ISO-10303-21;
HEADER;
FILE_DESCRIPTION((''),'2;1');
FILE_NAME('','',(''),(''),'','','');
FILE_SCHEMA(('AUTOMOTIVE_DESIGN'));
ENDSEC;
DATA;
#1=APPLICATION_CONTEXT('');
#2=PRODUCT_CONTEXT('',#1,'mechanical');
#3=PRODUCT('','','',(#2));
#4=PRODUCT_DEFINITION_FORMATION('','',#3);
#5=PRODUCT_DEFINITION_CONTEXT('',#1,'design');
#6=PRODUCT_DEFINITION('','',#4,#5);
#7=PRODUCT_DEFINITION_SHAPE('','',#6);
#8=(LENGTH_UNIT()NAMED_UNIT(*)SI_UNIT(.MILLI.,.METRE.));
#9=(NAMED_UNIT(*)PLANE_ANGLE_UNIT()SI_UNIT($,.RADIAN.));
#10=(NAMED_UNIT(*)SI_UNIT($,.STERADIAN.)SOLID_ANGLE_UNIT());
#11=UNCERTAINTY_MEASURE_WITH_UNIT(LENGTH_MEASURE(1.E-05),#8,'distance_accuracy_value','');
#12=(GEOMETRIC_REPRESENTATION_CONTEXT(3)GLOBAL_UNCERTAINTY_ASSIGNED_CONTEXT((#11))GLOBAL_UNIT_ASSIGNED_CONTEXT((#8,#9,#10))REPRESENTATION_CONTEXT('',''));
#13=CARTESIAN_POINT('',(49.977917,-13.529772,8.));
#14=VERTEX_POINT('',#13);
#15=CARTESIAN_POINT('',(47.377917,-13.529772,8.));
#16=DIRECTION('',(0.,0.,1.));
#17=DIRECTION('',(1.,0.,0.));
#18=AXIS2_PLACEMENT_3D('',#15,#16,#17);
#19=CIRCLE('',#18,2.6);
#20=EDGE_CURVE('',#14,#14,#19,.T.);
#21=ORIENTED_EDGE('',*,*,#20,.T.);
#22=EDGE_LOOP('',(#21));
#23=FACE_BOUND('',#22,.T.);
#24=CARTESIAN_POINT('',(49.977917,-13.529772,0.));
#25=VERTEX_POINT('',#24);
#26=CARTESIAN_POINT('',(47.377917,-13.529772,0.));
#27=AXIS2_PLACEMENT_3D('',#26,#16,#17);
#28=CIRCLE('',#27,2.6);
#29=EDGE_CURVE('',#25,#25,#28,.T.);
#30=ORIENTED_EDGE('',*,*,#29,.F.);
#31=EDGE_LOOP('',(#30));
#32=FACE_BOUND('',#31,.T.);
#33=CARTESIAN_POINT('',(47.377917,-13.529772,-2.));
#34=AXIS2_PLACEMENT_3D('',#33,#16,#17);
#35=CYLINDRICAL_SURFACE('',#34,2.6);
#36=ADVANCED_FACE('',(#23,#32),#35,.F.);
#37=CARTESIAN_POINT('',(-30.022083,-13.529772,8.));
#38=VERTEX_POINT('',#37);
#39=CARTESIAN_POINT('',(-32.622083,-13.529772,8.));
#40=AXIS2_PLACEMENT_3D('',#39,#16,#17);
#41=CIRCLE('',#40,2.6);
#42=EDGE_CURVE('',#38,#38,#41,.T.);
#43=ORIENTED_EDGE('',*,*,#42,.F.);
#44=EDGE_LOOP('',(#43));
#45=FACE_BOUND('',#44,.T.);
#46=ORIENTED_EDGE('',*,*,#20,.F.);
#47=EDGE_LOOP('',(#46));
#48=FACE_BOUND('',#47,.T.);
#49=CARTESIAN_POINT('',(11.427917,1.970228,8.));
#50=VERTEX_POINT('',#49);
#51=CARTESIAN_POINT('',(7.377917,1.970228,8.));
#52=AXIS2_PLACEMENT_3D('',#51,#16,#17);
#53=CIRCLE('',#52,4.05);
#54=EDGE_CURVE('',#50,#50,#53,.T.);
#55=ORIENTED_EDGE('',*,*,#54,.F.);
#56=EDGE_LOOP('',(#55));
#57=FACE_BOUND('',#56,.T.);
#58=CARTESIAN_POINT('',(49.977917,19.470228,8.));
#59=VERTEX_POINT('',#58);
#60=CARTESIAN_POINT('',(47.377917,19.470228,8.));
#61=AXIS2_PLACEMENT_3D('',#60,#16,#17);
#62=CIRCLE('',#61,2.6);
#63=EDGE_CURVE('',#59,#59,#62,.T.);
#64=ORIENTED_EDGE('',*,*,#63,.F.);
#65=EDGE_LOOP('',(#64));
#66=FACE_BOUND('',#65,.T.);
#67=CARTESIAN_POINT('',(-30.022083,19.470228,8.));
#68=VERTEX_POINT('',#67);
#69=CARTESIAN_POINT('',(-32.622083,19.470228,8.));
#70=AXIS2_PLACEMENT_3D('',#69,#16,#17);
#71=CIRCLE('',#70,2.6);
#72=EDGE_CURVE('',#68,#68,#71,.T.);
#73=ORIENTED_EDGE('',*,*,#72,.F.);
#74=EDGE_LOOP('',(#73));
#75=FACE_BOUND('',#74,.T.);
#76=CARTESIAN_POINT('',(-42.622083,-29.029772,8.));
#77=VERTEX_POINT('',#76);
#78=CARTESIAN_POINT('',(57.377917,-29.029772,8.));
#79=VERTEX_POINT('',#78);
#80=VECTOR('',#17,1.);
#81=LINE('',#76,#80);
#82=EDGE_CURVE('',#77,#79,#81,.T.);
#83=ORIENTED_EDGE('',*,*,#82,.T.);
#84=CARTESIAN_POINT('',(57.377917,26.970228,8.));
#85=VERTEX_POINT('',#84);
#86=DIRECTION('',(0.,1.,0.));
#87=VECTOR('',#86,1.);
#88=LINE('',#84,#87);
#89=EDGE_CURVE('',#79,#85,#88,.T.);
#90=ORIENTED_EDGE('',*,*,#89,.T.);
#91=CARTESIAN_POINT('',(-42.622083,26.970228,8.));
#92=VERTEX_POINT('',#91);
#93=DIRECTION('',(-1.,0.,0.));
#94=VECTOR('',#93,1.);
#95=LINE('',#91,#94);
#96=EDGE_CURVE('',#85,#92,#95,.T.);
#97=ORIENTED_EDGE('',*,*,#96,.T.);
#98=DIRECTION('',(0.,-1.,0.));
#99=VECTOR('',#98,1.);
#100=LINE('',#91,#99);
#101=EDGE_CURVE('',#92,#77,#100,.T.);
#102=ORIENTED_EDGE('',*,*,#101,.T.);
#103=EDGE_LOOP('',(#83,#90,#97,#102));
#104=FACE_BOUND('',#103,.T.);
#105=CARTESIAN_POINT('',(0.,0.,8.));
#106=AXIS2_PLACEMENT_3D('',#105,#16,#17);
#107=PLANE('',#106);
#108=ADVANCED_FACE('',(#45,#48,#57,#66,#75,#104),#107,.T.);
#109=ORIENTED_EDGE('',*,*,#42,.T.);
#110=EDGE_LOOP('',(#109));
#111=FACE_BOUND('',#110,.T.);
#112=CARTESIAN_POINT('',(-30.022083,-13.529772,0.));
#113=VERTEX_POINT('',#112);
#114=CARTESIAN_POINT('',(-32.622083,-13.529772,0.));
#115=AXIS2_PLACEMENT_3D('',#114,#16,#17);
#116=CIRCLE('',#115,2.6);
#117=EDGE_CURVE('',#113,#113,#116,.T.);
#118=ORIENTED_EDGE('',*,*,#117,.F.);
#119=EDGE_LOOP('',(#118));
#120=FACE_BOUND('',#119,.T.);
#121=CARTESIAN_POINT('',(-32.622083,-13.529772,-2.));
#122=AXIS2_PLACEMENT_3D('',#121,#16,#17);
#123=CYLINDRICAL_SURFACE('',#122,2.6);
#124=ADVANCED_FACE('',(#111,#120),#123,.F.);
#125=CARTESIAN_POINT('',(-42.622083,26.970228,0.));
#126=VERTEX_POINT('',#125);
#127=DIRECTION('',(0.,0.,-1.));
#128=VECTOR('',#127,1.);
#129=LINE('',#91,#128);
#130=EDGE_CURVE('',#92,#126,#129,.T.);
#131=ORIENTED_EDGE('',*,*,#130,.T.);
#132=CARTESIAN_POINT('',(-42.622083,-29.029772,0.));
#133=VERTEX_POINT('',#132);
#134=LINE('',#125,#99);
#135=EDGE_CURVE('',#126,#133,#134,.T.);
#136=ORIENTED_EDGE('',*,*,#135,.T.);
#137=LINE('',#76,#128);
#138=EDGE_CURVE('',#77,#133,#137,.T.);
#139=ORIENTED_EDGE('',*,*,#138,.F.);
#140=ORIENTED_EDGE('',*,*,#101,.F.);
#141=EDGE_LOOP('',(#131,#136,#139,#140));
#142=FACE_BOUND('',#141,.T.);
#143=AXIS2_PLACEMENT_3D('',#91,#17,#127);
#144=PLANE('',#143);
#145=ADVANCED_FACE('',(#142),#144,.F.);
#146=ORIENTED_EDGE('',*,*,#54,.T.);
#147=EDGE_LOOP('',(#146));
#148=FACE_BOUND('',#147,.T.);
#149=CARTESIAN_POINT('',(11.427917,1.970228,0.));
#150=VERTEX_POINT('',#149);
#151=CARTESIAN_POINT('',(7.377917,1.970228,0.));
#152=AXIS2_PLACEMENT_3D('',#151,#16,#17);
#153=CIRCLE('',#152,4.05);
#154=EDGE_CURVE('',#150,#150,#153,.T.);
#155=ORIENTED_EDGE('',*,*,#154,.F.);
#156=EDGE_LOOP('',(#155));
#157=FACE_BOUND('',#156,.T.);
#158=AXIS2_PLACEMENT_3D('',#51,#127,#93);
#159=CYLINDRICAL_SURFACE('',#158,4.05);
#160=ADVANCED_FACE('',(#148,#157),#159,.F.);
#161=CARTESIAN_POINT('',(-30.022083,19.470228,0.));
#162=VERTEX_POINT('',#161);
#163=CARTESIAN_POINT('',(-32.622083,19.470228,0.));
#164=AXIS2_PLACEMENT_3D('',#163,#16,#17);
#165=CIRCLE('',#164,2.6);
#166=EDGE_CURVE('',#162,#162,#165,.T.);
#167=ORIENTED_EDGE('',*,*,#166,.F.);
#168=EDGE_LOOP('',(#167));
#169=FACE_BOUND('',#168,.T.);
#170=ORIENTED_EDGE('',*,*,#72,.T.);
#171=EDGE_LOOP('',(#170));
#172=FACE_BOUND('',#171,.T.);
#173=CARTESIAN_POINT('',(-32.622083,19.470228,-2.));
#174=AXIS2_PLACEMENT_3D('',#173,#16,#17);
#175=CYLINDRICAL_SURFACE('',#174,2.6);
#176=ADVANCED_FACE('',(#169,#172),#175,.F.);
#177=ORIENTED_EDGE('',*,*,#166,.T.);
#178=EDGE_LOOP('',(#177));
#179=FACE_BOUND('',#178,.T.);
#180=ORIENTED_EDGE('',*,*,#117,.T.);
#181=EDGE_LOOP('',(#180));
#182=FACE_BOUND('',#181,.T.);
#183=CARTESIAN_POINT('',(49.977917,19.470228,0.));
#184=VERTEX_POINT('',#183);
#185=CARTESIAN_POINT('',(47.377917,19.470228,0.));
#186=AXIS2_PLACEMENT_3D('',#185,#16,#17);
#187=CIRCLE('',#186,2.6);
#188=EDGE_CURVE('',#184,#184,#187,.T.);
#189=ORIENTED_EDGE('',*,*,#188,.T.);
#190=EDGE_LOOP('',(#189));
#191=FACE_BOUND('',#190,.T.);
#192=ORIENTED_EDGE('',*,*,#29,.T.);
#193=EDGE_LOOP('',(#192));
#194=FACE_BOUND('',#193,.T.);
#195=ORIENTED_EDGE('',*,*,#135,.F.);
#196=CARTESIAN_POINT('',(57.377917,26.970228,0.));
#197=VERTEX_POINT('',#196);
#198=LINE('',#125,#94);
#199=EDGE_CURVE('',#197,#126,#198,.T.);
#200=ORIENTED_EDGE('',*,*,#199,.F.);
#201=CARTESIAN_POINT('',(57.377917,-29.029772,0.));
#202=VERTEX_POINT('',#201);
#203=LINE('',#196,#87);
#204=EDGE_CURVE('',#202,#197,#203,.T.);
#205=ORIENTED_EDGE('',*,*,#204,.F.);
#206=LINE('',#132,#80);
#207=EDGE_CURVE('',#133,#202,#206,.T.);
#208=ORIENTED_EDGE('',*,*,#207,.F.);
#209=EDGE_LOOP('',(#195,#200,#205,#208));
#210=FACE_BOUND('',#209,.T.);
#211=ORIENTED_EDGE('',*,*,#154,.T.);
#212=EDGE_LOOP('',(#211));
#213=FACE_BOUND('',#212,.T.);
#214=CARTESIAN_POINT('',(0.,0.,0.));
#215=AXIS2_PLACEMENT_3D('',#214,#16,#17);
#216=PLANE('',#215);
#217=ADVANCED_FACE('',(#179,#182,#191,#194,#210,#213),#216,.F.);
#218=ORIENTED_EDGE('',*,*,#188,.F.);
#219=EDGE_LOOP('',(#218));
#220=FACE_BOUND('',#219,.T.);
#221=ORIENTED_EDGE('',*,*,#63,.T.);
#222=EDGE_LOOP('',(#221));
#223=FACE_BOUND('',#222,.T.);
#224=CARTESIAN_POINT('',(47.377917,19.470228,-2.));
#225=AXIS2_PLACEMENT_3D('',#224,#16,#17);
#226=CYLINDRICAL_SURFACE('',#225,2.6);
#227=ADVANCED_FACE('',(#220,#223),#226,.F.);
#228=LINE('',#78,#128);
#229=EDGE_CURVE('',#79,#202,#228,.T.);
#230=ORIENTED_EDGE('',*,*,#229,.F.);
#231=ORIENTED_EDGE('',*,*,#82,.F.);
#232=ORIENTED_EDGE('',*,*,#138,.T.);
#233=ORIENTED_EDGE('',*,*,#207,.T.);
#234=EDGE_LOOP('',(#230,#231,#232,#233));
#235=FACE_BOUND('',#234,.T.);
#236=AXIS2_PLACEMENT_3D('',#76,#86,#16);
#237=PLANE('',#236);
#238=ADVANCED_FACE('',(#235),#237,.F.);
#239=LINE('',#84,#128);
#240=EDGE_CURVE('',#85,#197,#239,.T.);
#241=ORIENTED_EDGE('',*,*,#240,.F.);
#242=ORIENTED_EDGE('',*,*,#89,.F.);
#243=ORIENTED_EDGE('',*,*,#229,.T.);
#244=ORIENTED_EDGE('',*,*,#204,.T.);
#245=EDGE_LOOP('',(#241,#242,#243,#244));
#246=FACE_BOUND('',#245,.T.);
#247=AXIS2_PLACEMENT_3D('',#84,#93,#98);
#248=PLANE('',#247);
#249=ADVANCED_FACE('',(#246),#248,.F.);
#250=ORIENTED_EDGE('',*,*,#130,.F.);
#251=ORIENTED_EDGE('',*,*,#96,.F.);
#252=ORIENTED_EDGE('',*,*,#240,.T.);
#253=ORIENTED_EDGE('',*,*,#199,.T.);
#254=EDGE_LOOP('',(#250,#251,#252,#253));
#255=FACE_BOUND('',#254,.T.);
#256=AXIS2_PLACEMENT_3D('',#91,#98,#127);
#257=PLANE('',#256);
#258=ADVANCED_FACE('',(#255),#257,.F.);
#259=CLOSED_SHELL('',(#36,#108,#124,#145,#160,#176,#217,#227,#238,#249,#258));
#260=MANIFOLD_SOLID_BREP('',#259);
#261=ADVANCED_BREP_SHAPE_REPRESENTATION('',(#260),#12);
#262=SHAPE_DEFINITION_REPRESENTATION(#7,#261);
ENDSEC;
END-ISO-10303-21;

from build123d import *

# Parameters (mm, degrees)
IZIM1_W                     = 100
IZIM1_H                     = 56
IZIM1_R                     = 4.05
Y_KSEKLIK_EKSTR_ZYON1_DEPTH = 8
IZIM3_R                     = 2.6
KES_EKSTR_ZYON2_DEPTH       = 10


with BuildPart() as part:
    # Çizim1 → Yükseklik-Ekstrüzyon1 (new body)
    with BuildSketch(Plane.XY):
        with Locations((7.377917159, -1.029772329)):
            Rectangle(IZIM1_W, IZIM1_H)
        with Locations((7.377917159, 1.970227671)):
            Circle(IZIM1_R, mode=Mode.SUBTRACT)
    extrude(amount=Y_KSEKLIK_EKSTR_ZYON1_DEPTH)

    # Çizim3 → Kes-Ekstrüzyon2 (cut)
    with BuildSketch(Plane.XY.offset(8)):
        with Locations((-32.622082841, 19.470227671)):
            Circle(IZIM3_R)
        with Locations((47.377917159, 19.470227671)):
            Circle(IZIM3_R)
        with Locations((47.377917159, -13.529772329)):
            Circle(IZIM3_R)
        with Locations((-32.622082841, -13.529772329)):
            Circle(IZIM3_R)
    extrude(amount=-KES_EKSTR_ZYON2_DEPTH, mode=Mode.SUBTRACT)


solid = part.part
